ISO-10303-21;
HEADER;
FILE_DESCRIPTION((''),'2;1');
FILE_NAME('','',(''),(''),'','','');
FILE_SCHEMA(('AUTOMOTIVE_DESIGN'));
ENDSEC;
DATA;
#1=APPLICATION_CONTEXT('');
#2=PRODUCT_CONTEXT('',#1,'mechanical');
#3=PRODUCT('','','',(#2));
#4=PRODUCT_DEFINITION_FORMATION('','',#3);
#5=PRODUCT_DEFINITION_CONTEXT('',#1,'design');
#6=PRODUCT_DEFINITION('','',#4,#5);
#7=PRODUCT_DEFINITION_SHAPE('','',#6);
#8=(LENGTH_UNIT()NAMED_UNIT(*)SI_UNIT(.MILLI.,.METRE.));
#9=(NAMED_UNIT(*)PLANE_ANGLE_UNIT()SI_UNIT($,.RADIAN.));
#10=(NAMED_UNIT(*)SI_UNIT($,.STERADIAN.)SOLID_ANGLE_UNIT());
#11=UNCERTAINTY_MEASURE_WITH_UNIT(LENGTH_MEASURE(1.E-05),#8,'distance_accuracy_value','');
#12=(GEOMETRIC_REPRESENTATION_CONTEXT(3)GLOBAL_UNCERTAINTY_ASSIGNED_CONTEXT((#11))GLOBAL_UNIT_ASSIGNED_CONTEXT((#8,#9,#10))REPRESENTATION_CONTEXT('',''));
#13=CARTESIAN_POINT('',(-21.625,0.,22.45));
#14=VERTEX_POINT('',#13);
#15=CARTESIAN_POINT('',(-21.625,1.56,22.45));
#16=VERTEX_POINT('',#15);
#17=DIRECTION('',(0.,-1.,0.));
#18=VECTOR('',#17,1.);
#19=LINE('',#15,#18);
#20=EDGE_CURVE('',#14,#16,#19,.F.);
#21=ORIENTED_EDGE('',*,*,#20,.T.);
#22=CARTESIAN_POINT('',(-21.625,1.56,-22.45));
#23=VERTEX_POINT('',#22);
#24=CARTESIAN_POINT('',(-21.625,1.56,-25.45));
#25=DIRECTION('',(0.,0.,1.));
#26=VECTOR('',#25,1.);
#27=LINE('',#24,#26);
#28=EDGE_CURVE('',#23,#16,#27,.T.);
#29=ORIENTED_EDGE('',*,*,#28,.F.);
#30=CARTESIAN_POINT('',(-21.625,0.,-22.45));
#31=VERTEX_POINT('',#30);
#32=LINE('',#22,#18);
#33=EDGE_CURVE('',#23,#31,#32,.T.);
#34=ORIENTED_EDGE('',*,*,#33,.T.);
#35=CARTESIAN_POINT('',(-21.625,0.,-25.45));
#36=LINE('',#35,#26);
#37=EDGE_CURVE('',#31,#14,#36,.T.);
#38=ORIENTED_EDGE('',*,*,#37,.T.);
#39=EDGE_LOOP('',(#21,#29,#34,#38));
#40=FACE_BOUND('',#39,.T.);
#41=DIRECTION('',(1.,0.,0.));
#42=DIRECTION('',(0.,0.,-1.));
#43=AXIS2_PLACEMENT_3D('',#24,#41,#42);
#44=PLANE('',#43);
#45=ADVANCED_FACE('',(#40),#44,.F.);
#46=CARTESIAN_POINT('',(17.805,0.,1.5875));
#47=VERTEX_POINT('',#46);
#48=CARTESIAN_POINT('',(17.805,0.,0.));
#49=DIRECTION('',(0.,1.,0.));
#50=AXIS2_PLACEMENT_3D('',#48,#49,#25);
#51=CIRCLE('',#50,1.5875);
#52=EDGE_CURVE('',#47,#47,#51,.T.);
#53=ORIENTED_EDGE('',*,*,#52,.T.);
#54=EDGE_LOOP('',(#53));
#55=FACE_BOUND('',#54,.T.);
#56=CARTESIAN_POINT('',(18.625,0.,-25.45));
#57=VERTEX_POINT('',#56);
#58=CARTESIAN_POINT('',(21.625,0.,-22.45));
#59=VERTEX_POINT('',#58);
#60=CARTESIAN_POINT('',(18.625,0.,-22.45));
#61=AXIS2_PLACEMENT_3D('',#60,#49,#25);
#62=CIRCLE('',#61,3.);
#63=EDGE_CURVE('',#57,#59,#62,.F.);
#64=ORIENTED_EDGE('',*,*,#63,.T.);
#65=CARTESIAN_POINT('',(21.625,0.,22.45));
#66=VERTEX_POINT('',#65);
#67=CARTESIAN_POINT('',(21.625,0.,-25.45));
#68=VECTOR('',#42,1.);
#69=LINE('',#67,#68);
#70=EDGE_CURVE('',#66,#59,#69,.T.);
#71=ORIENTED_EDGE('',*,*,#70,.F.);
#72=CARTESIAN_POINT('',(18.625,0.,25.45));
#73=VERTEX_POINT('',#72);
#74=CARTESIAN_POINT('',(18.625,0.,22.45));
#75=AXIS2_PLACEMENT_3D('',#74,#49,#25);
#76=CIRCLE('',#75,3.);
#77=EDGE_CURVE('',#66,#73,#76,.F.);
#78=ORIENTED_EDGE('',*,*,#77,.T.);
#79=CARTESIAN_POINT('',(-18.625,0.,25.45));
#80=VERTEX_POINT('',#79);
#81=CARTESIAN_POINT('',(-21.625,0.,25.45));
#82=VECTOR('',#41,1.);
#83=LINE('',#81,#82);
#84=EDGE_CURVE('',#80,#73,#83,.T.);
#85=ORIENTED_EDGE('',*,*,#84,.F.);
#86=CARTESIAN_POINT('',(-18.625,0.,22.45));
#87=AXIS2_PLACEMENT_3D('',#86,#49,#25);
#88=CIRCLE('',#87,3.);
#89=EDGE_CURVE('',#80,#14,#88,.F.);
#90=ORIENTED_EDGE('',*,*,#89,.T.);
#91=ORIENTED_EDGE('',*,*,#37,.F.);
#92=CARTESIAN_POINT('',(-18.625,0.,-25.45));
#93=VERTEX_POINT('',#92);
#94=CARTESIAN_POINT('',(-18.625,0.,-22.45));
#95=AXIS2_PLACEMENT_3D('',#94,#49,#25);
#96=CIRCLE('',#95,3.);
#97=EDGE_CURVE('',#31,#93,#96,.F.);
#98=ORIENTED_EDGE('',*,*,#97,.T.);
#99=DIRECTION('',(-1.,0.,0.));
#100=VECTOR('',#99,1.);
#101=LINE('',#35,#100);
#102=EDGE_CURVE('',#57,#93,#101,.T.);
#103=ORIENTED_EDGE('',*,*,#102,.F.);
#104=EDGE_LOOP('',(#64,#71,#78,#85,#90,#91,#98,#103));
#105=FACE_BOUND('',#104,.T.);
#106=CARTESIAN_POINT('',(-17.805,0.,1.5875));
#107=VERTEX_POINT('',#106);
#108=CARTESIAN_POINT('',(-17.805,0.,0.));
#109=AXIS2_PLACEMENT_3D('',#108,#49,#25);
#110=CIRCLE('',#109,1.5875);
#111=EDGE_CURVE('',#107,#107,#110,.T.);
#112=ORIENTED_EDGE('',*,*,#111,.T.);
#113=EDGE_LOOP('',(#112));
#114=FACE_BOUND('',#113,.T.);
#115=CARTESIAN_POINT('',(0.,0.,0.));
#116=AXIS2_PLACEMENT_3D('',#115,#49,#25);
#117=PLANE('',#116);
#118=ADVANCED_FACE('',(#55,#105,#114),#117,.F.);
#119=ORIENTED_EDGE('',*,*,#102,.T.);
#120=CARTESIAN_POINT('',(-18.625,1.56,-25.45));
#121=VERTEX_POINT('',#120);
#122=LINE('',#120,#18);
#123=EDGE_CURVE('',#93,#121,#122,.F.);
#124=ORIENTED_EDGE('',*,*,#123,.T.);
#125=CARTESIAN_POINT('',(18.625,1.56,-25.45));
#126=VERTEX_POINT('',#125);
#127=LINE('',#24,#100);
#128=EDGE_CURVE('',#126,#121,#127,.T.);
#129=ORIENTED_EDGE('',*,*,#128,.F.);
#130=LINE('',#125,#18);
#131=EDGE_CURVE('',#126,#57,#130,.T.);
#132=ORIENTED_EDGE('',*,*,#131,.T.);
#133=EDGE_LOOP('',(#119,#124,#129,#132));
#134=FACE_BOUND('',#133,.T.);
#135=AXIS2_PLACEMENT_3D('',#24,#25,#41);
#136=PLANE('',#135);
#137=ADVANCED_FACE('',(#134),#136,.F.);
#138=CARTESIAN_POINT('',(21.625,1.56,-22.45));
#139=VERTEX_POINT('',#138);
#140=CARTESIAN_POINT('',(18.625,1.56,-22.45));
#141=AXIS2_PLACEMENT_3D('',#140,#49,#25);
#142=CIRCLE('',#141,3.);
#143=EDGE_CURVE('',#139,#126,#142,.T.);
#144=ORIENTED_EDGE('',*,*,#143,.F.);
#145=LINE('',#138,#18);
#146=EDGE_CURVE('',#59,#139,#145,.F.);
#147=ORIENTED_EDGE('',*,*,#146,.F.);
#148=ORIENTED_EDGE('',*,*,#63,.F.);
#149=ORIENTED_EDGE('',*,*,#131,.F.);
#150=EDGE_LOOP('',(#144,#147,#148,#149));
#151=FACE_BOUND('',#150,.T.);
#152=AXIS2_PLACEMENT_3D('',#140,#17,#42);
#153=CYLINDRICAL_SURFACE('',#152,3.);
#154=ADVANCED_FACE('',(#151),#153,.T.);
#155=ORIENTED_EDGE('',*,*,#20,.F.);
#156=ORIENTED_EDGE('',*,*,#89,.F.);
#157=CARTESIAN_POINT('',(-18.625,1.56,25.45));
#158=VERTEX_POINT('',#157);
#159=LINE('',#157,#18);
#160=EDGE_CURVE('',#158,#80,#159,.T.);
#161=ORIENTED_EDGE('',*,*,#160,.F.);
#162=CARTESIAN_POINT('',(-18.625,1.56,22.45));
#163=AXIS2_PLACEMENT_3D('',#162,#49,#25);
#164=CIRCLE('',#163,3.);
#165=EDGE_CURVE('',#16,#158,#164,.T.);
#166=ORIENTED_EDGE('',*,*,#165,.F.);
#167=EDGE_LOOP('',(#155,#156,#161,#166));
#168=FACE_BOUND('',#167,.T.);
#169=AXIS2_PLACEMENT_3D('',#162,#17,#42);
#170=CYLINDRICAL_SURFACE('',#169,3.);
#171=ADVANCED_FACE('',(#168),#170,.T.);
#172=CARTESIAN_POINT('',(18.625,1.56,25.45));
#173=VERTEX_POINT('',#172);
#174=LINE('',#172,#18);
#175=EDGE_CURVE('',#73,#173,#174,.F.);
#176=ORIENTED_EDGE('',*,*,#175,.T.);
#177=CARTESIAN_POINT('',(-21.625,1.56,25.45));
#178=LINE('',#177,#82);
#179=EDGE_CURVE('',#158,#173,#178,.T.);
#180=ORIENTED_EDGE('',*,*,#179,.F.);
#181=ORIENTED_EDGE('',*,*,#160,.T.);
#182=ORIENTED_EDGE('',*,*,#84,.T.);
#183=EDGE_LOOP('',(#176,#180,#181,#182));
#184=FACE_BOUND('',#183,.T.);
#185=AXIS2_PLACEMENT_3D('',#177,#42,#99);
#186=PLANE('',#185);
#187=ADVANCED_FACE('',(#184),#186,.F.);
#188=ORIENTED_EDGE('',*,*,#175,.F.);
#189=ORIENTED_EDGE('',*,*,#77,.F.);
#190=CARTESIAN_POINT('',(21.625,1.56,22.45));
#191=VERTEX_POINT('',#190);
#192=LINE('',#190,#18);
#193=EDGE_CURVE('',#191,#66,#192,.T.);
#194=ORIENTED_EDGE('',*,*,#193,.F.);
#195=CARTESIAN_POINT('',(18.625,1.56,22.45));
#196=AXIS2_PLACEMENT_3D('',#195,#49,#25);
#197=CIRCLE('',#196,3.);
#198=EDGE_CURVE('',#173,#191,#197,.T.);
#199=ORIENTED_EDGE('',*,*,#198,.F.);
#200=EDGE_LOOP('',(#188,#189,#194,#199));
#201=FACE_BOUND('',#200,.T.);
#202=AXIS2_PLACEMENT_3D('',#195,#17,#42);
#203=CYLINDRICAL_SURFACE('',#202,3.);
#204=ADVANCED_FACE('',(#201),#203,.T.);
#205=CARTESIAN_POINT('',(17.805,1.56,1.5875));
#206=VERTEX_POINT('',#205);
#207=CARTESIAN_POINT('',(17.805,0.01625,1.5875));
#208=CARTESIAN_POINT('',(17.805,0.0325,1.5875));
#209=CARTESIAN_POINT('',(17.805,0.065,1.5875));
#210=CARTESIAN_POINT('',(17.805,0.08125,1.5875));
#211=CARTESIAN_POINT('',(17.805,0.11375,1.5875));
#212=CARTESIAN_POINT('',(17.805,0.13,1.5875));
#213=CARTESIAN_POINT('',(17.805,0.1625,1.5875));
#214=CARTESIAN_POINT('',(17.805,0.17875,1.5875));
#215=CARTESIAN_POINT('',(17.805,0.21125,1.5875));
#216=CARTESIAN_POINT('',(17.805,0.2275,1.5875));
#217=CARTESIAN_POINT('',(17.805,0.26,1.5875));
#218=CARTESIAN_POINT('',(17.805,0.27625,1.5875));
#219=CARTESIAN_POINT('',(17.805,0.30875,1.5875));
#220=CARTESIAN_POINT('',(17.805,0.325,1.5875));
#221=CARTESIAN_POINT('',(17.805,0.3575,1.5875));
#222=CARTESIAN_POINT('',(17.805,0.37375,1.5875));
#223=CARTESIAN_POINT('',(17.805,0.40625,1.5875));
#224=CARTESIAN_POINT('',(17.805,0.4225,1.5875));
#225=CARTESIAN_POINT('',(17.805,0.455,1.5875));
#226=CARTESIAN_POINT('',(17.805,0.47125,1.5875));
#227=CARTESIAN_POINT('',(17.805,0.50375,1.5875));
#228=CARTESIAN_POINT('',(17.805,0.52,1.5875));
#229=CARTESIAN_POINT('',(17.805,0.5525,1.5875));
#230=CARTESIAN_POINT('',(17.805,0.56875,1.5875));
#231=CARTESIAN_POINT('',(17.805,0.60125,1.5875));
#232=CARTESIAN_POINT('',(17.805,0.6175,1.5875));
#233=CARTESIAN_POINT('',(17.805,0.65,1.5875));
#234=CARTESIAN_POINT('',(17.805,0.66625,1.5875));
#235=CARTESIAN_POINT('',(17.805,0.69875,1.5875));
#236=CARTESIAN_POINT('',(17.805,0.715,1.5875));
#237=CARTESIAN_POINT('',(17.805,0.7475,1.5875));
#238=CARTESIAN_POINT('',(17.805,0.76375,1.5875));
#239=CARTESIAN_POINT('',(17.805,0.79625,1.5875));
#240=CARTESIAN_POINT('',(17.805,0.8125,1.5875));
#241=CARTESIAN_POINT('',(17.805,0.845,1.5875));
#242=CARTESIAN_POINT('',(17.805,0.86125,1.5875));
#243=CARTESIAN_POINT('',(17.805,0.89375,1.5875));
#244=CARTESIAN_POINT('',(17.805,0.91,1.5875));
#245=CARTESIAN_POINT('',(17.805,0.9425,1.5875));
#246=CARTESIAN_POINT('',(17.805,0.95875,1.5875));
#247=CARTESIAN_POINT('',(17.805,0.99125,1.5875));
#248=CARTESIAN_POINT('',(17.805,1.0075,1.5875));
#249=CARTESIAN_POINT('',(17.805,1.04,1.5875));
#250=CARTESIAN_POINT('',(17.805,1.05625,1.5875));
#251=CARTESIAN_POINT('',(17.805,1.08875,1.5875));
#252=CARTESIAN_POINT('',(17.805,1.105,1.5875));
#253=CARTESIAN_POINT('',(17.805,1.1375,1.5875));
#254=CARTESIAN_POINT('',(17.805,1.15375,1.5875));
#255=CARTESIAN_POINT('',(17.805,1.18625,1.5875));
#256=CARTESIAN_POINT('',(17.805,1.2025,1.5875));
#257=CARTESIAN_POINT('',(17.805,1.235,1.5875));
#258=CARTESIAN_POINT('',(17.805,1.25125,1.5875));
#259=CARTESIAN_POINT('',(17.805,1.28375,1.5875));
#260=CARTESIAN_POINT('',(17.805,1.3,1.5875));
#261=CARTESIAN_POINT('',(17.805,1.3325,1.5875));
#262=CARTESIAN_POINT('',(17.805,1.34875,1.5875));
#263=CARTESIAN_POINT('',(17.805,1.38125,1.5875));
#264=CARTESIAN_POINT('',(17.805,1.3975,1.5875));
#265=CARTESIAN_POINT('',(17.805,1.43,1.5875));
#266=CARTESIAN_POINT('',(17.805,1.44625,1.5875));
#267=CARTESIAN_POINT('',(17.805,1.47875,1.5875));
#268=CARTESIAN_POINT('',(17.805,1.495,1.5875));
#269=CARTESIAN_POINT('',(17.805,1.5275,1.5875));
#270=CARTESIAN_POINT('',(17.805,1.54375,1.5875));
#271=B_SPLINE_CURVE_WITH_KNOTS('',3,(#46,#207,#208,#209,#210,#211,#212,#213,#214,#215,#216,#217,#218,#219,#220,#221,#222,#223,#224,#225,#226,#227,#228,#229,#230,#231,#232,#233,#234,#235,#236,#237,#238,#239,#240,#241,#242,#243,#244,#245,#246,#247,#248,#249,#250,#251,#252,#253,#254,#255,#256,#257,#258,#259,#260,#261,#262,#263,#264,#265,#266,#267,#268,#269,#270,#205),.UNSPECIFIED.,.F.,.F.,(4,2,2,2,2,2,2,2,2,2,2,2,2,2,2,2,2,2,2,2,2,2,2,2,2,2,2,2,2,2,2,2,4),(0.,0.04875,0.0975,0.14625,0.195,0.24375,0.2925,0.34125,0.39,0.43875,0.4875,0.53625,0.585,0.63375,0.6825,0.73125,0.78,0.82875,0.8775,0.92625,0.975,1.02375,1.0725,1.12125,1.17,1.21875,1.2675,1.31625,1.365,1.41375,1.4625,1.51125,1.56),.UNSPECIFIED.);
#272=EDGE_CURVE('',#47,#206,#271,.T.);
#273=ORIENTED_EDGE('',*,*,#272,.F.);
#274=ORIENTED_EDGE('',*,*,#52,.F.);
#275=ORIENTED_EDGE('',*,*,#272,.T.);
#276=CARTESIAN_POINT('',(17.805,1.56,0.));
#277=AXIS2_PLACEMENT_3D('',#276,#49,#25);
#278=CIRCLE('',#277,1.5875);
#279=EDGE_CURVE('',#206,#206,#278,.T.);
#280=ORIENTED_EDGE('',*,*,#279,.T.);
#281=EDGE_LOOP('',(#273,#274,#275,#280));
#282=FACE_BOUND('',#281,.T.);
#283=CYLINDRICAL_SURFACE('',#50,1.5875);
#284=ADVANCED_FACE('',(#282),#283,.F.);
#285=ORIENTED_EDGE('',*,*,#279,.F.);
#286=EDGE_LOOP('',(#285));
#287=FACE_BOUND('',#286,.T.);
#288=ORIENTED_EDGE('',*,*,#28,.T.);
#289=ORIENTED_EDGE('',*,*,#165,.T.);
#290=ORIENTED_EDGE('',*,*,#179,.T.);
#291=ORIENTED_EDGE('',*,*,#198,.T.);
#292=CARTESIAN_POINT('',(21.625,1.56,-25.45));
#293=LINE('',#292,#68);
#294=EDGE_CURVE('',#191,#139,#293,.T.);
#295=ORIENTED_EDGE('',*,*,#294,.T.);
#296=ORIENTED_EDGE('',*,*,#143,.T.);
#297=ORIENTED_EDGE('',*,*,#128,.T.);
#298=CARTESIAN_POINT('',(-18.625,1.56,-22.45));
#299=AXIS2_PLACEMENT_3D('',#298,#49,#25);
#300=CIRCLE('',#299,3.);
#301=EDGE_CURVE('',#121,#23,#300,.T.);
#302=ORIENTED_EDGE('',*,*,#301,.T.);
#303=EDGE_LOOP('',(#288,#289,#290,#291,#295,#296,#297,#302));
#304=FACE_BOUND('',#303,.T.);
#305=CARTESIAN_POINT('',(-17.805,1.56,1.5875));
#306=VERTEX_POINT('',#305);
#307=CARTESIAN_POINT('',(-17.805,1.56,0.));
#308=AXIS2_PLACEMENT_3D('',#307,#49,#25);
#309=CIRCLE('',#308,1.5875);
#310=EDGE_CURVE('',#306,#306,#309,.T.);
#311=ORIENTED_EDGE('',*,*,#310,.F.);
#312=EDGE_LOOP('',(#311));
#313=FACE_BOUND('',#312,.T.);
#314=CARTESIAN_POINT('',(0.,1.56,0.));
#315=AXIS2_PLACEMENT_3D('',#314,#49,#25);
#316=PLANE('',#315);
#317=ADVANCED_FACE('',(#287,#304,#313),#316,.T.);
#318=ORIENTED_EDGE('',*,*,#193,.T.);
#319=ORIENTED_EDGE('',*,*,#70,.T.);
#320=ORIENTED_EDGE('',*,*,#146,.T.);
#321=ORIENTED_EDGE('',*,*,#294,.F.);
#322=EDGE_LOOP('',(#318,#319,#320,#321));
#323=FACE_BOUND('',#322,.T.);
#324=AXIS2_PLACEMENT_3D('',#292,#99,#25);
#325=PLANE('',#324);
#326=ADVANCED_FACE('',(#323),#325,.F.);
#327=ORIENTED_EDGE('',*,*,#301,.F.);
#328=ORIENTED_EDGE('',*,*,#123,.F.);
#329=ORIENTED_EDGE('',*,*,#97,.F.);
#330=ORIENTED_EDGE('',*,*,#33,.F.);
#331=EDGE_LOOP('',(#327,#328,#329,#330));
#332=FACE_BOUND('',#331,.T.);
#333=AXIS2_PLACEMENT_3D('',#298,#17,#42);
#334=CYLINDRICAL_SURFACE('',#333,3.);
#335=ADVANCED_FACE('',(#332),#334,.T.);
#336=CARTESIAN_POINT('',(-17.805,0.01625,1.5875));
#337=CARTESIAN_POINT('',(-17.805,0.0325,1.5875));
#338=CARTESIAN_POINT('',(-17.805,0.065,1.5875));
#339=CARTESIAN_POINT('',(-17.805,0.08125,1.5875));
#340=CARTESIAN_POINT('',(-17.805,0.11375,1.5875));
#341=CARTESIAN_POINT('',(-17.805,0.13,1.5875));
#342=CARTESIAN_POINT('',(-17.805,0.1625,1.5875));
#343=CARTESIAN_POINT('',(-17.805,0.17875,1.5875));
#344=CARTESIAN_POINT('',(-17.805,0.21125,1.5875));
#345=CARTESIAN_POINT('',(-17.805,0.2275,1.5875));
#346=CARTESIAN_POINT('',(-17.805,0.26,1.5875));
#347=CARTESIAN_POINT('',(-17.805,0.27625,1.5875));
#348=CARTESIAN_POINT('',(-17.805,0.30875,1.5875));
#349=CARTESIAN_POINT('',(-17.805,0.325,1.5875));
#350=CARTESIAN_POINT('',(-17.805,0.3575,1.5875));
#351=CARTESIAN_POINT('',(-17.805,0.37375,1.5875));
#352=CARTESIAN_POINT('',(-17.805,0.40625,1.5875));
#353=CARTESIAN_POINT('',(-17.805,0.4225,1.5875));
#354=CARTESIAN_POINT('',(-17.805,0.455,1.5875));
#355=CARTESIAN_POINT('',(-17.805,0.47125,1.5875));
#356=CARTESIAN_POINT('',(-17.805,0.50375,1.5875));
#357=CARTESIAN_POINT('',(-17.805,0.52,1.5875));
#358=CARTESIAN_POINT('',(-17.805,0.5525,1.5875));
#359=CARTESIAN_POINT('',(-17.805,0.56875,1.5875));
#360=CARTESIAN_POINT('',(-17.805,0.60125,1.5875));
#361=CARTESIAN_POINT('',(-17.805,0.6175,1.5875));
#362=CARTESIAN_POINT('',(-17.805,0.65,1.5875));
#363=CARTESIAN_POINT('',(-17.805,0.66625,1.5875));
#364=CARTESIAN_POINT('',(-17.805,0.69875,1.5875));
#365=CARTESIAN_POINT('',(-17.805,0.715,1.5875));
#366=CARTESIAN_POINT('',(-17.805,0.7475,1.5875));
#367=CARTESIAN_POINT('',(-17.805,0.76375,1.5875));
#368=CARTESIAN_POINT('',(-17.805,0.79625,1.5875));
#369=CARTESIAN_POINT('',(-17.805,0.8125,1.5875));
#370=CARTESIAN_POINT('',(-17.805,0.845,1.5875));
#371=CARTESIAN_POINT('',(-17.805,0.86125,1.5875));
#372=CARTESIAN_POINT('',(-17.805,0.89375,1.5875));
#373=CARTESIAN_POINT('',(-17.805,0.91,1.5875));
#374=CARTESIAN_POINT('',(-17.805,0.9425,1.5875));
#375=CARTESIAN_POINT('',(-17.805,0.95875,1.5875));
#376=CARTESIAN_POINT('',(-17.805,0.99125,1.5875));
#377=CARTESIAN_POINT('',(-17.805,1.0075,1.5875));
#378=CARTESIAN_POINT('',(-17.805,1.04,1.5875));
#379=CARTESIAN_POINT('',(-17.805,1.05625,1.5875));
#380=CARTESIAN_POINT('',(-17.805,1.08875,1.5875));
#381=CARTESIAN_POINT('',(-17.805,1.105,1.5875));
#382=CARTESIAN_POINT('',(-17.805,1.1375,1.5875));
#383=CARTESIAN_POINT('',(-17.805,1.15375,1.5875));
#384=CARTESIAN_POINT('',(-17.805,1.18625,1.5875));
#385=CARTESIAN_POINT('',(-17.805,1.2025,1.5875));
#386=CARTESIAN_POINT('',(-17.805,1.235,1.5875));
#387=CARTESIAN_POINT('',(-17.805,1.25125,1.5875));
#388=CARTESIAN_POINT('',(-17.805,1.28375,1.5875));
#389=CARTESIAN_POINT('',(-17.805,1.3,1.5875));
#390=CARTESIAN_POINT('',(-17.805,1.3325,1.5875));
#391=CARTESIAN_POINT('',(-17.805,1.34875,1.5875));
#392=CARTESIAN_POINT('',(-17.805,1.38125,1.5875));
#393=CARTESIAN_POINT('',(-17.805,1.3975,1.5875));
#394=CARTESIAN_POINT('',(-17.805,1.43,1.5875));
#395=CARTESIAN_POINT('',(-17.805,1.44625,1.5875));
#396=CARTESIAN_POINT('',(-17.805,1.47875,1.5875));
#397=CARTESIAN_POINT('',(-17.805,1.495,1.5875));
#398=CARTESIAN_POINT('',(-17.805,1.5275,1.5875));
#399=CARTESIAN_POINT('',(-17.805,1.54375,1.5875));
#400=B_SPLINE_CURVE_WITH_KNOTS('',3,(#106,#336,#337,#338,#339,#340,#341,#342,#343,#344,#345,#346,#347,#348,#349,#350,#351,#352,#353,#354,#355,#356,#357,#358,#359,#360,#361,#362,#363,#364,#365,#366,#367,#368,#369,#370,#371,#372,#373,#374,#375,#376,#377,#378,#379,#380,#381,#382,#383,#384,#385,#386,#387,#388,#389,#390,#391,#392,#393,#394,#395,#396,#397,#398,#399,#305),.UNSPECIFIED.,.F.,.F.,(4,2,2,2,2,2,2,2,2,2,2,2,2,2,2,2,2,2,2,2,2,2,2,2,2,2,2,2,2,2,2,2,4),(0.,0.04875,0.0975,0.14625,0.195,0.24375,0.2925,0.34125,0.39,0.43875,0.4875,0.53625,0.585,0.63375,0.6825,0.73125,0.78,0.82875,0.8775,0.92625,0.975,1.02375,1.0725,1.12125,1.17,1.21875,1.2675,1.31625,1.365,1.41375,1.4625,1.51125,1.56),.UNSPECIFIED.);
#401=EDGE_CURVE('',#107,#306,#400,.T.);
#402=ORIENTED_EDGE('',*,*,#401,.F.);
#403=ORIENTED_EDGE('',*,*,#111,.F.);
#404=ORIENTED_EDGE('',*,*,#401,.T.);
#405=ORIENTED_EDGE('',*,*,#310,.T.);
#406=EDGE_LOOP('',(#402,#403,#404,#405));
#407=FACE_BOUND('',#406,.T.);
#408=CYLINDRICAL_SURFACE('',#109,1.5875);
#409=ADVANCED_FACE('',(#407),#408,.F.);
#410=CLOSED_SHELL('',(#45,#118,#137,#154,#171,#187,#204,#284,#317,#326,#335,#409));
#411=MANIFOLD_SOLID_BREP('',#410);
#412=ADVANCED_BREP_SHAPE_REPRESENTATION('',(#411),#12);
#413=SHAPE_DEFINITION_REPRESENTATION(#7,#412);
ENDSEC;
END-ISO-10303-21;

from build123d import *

# Parameters (mm, degrees)
SKETCH1_W           = 43.25
SKETCH1_H           = 50.9
BOSS_EXTRUDE1_DEPTH = 1.56
FILLET1_R           = 3
FILLET2_R           = 3
SKETCH2_R           = 1.5875
CUT_EXTRUDE1_DEPTH  = 1.56


with BuildPart() as part:
    # Sketch1 → Boss-Extrude1 (new body)
    with BuildSketch(Plane(origin=(0, 0, 0), x_dir=(1, 0, 0), z_dir=(0, 1, 0))):
        Rectangle(SKETCH1_W, SKETCH1_H)
    extrude(amount=BOSS_EXTRUDE1_DEPTH)

    # Fillet1
    fillet1_edges = [part.edges().sort_by_distance(p)[0] for p in [
        (21.625, 0.78, 25.45),
    ]]
    fillet(fillet1_edges, radius=FILLET1_R)

    # Fillet2
    fillet2_edges = [part.edges().sort_by_distance(p)[0] for p in [
        (-21.625, 0.78, -25.45),
        (21.625, 0.78, -25.45),
        (-21.625, 0.78, 25.45),
    ]]
    fillet(fillet2_edges, radius=FILLET2_R)

    # Sketch2 → Cut-Extrude1 (cut)
    with BuildSketch(Plane(origin=(0, 1.56, 0), x_dir=(1, 0, 0), z_dir=(0, 1, 0))):
        with Locations(Location((-17.805, 0, 0), (0, 0, 270))):
            Circle(SKETCH2_R)
        with Locations(Location((17.805, 0, 0), (0, 0, 270))):
            Circle(SKETCH2_R)
    extrude(amount=-CUT_EXTRUDE1_DEPTH, mode=Mode.SUBTRACT)


solid = part.part
